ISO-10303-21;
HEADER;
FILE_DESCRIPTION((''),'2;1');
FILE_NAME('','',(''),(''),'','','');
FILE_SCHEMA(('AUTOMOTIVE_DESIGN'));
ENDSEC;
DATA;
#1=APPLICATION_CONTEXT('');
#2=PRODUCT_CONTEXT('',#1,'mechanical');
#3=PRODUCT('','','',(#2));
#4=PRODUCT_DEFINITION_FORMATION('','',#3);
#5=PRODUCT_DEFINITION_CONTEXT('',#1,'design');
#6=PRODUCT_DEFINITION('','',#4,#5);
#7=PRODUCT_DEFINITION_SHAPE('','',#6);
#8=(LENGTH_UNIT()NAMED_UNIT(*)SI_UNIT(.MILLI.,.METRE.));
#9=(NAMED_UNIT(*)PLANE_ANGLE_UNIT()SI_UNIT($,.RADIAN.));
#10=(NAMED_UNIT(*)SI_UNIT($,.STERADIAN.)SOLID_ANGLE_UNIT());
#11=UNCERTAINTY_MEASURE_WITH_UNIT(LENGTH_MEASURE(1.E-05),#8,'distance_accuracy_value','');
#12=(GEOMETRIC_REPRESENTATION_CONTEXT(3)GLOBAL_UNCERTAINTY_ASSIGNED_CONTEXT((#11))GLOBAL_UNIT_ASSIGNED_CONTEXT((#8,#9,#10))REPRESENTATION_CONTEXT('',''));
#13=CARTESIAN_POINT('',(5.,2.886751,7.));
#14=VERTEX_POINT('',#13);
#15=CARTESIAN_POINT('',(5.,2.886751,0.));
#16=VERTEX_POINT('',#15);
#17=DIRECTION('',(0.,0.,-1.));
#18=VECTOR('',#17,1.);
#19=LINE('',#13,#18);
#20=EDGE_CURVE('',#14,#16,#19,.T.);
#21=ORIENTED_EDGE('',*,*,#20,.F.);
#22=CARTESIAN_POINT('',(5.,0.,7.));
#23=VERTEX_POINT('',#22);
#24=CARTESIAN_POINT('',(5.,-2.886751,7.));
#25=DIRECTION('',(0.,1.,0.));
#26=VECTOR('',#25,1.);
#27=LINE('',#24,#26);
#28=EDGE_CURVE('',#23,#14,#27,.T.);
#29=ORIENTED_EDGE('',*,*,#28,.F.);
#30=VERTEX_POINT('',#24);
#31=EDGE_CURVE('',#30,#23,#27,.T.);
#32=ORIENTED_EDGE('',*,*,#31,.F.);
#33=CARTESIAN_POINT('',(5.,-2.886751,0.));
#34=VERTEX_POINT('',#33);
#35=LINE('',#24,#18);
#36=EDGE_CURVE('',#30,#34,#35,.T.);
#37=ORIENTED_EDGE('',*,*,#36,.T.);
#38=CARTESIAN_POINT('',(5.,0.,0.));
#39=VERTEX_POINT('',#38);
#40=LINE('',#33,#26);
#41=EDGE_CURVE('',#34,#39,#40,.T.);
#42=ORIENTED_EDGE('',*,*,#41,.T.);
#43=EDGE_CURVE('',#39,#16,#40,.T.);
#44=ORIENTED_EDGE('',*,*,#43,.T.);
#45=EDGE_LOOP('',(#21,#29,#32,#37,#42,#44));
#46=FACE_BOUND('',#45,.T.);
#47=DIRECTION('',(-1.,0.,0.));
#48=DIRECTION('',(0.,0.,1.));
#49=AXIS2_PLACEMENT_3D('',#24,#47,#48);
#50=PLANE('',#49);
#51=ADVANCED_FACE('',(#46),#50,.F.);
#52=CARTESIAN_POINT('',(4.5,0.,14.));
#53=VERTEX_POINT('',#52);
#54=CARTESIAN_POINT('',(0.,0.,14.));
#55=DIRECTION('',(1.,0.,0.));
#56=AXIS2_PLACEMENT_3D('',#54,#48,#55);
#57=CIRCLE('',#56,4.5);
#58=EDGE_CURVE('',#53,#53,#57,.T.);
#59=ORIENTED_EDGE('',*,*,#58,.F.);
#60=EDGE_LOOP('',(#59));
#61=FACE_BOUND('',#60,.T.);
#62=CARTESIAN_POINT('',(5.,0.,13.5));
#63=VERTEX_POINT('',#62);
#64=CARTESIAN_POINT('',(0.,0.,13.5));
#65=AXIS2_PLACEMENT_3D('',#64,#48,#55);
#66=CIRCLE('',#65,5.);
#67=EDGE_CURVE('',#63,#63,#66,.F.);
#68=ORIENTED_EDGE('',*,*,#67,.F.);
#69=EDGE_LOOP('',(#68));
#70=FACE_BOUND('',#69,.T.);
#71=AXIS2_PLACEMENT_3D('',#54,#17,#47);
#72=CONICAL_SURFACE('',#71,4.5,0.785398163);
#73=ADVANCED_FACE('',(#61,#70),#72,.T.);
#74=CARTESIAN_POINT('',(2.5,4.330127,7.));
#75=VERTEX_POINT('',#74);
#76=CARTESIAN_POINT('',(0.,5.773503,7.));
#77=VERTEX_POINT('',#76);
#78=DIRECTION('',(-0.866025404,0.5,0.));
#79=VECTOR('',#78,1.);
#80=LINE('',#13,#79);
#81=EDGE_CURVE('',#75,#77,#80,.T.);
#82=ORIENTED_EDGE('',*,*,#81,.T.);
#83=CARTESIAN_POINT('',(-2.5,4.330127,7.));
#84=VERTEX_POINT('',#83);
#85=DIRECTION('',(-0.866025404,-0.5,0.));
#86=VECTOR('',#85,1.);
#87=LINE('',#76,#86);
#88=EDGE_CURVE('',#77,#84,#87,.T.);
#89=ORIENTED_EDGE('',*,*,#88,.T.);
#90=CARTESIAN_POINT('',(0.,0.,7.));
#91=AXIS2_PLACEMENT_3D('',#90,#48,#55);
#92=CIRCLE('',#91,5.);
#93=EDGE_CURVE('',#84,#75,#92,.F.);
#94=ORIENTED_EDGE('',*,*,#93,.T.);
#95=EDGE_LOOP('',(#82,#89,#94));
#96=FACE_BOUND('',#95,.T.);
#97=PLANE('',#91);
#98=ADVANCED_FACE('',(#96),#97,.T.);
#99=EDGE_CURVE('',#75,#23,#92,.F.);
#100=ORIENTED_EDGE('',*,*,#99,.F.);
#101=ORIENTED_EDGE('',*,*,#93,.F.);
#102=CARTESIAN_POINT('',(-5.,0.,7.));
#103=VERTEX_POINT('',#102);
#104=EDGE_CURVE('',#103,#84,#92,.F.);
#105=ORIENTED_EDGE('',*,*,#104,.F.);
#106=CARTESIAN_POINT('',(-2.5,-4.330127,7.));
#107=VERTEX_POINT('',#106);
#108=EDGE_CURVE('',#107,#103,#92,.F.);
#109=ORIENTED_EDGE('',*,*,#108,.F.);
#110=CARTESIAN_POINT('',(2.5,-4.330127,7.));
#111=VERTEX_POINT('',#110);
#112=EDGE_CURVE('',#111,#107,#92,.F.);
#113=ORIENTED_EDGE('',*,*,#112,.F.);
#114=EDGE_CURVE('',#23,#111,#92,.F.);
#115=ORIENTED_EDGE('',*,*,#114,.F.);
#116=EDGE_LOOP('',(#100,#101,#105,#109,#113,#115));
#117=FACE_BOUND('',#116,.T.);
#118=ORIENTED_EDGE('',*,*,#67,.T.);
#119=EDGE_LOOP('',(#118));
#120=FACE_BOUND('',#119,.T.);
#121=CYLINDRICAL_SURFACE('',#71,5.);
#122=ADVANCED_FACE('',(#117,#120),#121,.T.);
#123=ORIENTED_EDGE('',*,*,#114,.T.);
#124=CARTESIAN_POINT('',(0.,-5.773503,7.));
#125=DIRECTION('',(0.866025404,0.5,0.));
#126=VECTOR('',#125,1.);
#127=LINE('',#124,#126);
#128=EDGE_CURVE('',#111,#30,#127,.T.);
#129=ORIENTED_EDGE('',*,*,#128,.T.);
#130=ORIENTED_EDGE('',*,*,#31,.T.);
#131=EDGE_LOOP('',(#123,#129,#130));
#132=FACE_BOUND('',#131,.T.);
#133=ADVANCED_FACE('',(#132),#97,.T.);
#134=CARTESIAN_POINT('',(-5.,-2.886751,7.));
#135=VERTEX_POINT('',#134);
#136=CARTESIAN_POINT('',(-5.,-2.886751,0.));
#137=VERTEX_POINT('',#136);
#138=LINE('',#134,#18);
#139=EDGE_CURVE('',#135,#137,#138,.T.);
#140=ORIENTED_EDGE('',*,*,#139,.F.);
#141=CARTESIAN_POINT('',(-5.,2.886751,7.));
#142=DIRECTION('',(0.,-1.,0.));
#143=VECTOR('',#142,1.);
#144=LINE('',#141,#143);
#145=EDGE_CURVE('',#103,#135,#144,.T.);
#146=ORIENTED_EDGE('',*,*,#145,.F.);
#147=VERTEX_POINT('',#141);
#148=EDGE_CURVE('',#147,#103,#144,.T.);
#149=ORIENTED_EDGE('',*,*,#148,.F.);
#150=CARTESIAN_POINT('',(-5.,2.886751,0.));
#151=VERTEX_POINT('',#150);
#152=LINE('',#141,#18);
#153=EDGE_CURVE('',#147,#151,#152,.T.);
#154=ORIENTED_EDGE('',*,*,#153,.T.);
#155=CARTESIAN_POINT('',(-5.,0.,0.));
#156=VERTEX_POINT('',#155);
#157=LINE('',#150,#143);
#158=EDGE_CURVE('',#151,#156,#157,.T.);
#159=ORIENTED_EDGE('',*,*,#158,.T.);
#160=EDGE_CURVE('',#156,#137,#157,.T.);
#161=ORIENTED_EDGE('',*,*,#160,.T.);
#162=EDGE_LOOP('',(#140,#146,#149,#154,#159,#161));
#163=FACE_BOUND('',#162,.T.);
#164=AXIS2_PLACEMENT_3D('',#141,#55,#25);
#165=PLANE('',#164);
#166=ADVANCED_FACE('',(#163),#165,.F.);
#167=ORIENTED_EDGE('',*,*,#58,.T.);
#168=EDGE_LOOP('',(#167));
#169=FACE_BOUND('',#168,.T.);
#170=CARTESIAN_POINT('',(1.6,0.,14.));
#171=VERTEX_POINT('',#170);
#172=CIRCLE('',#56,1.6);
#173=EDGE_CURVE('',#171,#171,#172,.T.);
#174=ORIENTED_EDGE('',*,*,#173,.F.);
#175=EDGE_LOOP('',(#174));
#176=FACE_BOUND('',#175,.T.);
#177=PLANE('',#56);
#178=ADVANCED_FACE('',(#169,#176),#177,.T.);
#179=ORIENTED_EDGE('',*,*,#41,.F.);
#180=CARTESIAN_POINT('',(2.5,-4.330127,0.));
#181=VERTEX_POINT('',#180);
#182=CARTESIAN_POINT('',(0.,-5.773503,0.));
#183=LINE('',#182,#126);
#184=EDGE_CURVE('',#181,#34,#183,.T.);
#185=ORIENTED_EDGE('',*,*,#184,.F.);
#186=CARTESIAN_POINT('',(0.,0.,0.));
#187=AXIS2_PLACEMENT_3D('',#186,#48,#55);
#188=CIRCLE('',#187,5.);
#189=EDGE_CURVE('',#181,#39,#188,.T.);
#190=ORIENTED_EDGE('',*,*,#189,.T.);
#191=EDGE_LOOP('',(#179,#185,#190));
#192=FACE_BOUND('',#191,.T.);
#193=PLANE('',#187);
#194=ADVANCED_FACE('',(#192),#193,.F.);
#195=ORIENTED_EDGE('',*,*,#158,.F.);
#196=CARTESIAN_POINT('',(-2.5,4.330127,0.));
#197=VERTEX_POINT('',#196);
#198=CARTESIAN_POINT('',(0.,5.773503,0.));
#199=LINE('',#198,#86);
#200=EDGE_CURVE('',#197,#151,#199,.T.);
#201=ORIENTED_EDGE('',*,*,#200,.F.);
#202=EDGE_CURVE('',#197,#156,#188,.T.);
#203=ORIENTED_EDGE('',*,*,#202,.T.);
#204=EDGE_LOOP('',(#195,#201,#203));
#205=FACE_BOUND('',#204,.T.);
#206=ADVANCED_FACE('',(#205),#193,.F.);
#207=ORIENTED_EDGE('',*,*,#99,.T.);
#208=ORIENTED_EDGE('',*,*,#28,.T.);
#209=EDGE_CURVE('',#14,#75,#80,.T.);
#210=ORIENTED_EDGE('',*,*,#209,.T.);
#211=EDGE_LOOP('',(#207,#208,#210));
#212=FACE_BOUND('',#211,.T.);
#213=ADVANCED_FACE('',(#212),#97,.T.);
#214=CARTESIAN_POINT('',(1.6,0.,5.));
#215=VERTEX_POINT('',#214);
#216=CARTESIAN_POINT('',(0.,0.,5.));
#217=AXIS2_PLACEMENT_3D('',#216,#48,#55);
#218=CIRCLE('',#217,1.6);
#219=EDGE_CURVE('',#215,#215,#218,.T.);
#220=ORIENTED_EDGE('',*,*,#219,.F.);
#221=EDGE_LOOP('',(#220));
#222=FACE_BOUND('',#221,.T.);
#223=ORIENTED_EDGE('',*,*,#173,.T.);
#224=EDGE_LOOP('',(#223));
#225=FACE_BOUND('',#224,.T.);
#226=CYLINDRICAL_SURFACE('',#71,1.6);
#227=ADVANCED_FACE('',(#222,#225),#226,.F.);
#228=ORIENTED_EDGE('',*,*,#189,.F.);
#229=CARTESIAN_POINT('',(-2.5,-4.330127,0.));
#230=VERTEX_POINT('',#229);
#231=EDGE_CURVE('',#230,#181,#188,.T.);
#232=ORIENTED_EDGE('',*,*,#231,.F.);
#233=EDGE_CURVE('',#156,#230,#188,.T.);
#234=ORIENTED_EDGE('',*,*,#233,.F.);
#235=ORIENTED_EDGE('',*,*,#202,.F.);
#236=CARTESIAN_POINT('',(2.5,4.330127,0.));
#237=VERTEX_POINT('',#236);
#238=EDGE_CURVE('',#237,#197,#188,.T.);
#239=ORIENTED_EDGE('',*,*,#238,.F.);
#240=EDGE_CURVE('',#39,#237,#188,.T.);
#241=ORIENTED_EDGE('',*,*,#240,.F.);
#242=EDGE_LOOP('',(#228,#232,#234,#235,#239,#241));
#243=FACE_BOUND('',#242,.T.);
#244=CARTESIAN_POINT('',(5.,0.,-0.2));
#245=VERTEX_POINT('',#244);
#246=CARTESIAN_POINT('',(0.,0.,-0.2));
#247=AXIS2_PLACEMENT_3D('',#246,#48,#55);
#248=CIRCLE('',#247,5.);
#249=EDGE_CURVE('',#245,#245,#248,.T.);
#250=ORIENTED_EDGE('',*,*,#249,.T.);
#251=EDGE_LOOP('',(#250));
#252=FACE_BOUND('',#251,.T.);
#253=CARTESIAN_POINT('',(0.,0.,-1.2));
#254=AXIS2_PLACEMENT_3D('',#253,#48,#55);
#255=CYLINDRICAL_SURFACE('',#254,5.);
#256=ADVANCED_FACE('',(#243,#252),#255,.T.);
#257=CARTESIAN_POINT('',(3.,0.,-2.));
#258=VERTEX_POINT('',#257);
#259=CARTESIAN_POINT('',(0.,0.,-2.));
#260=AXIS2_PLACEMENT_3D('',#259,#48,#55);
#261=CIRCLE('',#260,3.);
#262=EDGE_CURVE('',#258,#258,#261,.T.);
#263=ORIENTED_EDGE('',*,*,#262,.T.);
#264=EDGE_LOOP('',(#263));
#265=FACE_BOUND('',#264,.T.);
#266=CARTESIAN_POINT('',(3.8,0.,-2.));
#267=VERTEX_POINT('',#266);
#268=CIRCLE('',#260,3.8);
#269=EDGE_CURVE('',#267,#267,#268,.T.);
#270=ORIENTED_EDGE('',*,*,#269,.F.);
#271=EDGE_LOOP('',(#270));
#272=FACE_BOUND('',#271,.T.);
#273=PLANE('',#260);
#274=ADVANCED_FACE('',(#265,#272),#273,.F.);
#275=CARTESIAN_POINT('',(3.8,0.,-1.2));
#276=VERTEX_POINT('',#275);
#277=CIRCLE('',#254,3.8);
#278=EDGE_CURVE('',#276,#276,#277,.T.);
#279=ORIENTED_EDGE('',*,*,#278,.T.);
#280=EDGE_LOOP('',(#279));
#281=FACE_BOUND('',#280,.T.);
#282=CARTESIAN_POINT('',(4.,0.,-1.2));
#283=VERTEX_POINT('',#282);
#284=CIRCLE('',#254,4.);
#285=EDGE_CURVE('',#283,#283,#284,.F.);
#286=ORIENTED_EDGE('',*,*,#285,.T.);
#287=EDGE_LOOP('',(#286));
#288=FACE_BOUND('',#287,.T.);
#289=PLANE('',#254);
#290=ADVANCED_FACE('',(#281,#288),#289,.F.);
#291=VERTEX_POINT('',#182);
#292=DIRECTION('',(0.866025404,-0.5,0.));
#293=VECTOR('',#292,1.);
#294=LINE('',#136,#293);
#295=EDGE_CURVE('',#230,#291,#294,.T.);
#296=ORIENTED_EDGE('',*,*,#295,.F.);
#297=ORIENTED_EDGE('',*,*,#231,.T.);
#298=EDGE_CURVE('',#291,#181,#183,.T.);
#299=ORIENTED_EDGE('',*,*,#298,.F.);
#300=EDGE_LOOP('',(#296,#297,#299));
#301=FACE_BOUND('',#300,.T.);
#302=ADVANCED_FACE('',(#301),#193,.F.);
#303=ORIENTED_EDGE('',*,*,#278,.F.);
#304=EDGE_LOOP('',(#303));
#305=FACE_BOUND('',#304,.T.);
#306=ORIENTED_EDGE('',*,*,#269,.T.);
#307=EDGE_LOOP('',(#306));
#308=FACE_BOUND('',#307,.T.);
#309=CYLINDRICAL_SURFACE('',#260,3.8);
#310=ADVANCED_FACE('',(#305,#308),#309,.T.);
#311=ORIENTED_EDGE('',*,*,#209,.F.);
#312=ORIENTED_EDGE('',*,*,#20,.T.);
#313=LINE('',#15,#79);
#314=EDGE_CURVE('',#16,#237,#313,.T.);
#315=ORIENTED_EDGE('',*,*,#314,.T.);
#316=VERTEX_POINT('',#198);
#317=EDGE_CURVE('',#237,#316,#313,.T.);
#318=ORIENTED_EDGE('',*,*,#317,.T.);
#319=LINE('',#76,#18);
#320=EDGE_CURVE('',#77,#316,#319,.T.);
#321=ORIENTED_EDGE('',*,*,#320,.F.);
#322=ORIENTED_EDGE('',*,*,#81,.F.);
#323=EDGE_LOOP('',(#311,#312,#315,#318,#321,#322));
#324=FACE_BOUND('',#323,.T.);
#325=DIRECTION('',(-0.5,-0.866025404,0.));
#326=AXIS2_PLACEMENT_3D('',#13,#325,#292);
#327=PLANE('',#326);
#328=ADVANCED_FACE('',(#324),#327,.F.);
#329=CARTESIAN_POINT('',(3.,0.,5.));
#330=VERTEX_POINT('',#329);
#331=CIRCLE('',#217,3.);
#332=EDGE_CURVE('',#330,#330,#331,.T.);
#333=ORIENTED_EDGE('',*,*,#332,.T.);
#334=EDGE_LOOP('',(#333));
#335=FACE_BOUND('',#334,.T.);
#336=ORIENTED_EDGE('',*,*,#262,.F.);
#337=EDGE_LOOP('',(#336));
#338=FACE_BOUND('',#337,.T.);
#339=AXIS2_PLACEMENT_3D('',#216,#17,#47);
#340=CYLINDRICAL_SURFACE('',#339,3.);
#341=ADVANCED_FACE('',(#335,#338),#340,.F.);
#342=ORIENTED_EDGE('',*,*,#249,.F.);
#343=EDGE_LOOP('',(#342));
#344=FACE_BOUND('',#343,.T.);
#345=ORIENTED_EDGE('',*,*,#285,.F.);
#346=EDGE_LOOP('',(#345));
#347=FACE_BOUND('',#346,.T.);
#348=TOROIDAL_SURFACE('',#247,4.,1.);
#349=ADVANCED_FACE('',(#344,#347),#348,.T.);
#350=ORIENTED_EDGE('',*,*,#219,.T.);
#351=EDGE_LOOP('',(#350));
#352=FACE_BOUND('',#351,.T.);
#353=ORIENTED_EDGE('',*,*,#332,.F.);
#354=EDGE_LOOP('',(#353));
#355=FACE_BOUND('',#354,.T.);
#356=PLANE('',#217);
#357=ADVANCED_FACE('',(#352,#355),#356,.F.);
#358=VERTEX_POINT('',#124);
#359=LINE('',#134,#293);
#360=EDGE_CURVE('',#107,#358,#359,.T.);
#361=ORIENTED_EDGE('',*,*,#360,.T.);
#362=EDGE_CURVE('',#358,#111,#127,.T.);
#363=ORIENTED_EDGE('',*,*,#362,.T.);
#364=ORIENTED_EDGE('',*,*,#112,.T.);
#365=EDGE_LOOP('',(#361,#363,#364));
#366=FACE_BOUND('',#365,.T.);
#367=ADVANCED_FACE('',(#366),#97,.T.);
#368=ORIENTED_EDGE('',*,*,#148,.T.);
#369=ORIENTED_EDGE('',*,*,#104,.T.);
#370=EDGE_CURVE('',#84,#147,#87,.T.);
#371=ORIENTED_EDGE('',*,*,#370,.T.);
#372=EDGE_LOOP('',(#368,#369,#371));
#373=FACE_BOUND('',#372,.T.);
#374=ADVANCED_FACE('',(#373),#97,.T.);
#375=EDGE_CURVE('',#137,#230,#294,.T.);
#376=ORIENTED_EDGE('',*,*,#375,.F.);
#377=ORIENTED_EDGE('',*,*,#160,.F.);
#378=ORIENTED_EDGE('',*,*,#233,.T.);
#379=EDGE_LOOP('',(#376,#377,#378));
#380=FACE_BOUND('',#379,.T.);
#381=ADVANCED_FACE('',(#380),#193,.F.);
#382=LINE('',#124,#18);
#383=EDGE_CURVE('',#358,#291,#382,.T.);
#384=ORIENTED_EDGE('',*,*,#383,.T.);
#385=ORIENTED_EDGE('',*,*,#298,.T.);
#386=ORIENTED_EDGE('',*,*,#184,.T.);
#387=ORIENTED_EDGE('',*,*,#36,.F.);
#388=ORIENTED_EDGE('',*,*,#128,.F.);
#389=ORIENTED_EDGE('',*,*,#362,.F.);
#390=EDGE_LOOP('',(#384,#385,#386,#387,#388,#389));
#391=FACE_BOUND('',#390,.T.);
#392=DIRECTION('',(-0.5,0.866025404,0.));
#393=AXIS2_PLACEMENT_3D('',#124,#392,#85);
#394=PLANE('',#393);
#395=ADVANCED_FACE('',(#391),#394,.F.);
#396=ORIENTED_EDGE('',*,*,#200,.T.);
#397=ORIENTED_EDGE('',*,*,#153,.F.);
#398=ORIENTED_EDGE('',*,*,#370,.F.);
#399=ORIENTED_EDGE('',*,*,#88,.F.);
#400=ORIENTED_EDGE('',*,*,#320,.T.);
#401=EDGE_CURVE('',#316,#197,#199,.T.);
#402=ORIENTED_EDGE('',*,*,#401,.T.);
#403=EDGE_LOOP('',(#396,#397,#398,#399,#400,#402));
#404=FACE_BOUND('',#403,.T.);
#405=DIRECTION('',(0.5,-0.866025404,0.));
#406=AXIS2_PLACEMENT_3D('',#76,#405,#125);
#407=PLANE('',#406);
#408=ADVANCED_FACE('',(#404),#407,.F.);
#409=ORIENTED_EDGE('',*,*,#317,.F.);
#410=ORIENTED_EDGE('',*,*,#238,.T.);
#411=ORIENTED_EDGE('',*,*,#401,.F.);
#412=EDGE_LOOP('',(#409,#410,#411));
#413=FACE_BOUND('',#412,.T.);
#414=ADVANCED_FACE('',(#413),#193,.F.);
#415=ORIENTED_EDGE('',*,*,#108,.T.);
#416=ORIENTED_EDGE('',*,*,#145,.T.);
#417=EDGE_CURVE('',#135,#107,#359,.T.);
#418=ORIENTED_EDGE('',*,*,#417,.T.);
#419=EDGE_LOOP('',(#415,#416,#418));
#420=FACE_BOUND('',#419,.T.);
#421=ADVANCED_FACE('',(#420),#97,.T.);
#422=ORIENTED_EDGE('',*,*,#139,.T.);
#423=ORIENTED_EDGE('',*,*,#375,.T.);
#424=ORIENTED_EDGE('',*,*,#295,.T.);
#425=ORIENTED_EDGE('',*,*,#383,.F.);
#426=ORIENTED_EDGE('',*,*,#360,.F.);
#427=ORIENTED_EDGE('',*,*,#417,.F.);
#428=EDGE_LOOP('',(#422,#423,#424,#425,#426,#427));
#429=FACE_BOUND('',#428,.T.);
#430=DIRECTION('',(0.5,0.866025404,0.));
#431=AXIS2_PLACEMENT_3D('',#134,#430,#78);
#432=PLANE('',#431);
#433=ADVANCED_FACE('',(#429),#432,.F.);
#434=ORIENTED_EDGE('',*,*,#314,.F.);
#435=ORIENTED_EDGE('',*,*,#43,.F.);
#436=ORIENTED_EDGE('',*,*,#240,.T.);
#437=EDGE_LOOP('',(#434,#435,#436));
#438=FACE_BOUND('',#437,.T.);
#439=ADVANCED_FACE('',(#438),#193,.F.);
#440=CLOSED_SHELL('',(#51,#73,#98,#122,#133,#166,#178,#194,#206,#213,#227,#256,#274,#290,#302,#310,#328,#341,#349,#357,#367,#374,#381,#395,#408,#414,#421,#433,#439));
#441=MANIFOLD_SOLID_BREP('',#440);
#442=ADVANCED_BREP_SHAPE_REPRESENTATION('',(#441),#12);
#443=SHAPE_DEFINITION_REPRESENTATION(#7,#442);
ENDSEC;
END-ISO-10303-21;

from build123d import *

# Parameters (mm, degrees)
EXTRUDE_2_DEPTH      = 7
SKETCH_1_4_R         = 5
EXTRUDE_3_DEPTH      = 1.2
EXTRUDE_START        = 14
SKETCH_1_5_R         = 5
EXTRUDE_4_DEPTH      = 14
SKETCH_1_6_R         = 4.3
EXTRUDE_5_DEPTH      = 9
SKETCH_1_8_R         = 3.8
EXTRUDE_6_DEPTH      = 2
FILLET_1_R           = 1
CUT_EXTRUDE_START    = -2
SKETCH_1_10_R        = 1.6
CUT_EXTRUDE_31_DEPTH = 18.947831619
SKETCH_1_11_R        = 3
CUT_EXTRUDE_32_DEPTH = 7
CHAMFER_1_SIZE       = 0.5


with BuildPart() as part:
    # Эскиз1 → Бобышка-Вытянуть2 (new body)
    with BuildSketch(Plane.XY):
        Polygon((0, 5.773502692), (-5, 2.886751346), (-5, -2.886751346), (0, -5.773502692), (5, -2.886751346), (5, 2.886751346), align=None)
    extrude(amount=EXTRUDE_2_DEPTH)

    # Эскиз1<4> → Бобышка-Вытянуть3 (add)
    with BuildSketch(Plane.XY):
        Circle(SKETCH_1_4_R)
    extrude(amount=-EXTRUDE_3_DEPTH)

    # Эскиз1<5> → Бобышка-Вытянуть4 (add)
    with BuildSketch(Plane.XY.offset(EXTRUDE_START)):
        Circle(SKETCH_1_5_R)
    extrude(amount=-EXTRUDE_4_DEPTH)

    # Эскиз1<6> → Бобышка-Вытянуть5 (add)
    with BuildSketch(Plane.XY):
        Circle(SKETCH_1_6_R)
    extrude(amount=EXTRUDE_5_DEPTH)

    # Эскиз1<8> → Бобышка-Вытянуть6 (add)
    with BuildSketch(Plane.XY):
        Circle(SKETCH_1_8_R)
    extrude(amount=-EXTRUDE_6_DEPTH)

    # Скругление1
    fillet_1_edges = [part.edges().sort_by_distance(p)[0] for p in [
        (-5, 0, -1.2),
    ]]
    fillet(fillet_1_edges, radius=FILLET_1_R)

    # Эскиз1<10> → Вырез-Вытянуть31 (cut, through all)
    with BuildSketch(Plane.XY.offset(CUT_EXTRUDE_START)):
        Circle(SKETCH_1_10_R)
    extrude(amount=CUT_EXTRUDE_31_DEPTH, mode=Mode.SUBTRACT)

    # Эскиз1<11> → Вырез-Вытянуть32 (cut)
    with BuildSketch(Plane.XY.offset(CUT_EXTRUDE_START)):
        Circle(SKETCH_1_11_R)
    extrude(amount=CUT_EXTRUDE_32_DEPTH, mode=Mode.SUBTRACT)

    # Фаска1
    chamfer_1_edges = [part.edges().sort_by_distance(p)[0] for p in [
        (-5, 0, 14),
    ]]
    chamfer(chamfer_1_edges, length=CHAMFER_1_SIZE)


solid = part.part
